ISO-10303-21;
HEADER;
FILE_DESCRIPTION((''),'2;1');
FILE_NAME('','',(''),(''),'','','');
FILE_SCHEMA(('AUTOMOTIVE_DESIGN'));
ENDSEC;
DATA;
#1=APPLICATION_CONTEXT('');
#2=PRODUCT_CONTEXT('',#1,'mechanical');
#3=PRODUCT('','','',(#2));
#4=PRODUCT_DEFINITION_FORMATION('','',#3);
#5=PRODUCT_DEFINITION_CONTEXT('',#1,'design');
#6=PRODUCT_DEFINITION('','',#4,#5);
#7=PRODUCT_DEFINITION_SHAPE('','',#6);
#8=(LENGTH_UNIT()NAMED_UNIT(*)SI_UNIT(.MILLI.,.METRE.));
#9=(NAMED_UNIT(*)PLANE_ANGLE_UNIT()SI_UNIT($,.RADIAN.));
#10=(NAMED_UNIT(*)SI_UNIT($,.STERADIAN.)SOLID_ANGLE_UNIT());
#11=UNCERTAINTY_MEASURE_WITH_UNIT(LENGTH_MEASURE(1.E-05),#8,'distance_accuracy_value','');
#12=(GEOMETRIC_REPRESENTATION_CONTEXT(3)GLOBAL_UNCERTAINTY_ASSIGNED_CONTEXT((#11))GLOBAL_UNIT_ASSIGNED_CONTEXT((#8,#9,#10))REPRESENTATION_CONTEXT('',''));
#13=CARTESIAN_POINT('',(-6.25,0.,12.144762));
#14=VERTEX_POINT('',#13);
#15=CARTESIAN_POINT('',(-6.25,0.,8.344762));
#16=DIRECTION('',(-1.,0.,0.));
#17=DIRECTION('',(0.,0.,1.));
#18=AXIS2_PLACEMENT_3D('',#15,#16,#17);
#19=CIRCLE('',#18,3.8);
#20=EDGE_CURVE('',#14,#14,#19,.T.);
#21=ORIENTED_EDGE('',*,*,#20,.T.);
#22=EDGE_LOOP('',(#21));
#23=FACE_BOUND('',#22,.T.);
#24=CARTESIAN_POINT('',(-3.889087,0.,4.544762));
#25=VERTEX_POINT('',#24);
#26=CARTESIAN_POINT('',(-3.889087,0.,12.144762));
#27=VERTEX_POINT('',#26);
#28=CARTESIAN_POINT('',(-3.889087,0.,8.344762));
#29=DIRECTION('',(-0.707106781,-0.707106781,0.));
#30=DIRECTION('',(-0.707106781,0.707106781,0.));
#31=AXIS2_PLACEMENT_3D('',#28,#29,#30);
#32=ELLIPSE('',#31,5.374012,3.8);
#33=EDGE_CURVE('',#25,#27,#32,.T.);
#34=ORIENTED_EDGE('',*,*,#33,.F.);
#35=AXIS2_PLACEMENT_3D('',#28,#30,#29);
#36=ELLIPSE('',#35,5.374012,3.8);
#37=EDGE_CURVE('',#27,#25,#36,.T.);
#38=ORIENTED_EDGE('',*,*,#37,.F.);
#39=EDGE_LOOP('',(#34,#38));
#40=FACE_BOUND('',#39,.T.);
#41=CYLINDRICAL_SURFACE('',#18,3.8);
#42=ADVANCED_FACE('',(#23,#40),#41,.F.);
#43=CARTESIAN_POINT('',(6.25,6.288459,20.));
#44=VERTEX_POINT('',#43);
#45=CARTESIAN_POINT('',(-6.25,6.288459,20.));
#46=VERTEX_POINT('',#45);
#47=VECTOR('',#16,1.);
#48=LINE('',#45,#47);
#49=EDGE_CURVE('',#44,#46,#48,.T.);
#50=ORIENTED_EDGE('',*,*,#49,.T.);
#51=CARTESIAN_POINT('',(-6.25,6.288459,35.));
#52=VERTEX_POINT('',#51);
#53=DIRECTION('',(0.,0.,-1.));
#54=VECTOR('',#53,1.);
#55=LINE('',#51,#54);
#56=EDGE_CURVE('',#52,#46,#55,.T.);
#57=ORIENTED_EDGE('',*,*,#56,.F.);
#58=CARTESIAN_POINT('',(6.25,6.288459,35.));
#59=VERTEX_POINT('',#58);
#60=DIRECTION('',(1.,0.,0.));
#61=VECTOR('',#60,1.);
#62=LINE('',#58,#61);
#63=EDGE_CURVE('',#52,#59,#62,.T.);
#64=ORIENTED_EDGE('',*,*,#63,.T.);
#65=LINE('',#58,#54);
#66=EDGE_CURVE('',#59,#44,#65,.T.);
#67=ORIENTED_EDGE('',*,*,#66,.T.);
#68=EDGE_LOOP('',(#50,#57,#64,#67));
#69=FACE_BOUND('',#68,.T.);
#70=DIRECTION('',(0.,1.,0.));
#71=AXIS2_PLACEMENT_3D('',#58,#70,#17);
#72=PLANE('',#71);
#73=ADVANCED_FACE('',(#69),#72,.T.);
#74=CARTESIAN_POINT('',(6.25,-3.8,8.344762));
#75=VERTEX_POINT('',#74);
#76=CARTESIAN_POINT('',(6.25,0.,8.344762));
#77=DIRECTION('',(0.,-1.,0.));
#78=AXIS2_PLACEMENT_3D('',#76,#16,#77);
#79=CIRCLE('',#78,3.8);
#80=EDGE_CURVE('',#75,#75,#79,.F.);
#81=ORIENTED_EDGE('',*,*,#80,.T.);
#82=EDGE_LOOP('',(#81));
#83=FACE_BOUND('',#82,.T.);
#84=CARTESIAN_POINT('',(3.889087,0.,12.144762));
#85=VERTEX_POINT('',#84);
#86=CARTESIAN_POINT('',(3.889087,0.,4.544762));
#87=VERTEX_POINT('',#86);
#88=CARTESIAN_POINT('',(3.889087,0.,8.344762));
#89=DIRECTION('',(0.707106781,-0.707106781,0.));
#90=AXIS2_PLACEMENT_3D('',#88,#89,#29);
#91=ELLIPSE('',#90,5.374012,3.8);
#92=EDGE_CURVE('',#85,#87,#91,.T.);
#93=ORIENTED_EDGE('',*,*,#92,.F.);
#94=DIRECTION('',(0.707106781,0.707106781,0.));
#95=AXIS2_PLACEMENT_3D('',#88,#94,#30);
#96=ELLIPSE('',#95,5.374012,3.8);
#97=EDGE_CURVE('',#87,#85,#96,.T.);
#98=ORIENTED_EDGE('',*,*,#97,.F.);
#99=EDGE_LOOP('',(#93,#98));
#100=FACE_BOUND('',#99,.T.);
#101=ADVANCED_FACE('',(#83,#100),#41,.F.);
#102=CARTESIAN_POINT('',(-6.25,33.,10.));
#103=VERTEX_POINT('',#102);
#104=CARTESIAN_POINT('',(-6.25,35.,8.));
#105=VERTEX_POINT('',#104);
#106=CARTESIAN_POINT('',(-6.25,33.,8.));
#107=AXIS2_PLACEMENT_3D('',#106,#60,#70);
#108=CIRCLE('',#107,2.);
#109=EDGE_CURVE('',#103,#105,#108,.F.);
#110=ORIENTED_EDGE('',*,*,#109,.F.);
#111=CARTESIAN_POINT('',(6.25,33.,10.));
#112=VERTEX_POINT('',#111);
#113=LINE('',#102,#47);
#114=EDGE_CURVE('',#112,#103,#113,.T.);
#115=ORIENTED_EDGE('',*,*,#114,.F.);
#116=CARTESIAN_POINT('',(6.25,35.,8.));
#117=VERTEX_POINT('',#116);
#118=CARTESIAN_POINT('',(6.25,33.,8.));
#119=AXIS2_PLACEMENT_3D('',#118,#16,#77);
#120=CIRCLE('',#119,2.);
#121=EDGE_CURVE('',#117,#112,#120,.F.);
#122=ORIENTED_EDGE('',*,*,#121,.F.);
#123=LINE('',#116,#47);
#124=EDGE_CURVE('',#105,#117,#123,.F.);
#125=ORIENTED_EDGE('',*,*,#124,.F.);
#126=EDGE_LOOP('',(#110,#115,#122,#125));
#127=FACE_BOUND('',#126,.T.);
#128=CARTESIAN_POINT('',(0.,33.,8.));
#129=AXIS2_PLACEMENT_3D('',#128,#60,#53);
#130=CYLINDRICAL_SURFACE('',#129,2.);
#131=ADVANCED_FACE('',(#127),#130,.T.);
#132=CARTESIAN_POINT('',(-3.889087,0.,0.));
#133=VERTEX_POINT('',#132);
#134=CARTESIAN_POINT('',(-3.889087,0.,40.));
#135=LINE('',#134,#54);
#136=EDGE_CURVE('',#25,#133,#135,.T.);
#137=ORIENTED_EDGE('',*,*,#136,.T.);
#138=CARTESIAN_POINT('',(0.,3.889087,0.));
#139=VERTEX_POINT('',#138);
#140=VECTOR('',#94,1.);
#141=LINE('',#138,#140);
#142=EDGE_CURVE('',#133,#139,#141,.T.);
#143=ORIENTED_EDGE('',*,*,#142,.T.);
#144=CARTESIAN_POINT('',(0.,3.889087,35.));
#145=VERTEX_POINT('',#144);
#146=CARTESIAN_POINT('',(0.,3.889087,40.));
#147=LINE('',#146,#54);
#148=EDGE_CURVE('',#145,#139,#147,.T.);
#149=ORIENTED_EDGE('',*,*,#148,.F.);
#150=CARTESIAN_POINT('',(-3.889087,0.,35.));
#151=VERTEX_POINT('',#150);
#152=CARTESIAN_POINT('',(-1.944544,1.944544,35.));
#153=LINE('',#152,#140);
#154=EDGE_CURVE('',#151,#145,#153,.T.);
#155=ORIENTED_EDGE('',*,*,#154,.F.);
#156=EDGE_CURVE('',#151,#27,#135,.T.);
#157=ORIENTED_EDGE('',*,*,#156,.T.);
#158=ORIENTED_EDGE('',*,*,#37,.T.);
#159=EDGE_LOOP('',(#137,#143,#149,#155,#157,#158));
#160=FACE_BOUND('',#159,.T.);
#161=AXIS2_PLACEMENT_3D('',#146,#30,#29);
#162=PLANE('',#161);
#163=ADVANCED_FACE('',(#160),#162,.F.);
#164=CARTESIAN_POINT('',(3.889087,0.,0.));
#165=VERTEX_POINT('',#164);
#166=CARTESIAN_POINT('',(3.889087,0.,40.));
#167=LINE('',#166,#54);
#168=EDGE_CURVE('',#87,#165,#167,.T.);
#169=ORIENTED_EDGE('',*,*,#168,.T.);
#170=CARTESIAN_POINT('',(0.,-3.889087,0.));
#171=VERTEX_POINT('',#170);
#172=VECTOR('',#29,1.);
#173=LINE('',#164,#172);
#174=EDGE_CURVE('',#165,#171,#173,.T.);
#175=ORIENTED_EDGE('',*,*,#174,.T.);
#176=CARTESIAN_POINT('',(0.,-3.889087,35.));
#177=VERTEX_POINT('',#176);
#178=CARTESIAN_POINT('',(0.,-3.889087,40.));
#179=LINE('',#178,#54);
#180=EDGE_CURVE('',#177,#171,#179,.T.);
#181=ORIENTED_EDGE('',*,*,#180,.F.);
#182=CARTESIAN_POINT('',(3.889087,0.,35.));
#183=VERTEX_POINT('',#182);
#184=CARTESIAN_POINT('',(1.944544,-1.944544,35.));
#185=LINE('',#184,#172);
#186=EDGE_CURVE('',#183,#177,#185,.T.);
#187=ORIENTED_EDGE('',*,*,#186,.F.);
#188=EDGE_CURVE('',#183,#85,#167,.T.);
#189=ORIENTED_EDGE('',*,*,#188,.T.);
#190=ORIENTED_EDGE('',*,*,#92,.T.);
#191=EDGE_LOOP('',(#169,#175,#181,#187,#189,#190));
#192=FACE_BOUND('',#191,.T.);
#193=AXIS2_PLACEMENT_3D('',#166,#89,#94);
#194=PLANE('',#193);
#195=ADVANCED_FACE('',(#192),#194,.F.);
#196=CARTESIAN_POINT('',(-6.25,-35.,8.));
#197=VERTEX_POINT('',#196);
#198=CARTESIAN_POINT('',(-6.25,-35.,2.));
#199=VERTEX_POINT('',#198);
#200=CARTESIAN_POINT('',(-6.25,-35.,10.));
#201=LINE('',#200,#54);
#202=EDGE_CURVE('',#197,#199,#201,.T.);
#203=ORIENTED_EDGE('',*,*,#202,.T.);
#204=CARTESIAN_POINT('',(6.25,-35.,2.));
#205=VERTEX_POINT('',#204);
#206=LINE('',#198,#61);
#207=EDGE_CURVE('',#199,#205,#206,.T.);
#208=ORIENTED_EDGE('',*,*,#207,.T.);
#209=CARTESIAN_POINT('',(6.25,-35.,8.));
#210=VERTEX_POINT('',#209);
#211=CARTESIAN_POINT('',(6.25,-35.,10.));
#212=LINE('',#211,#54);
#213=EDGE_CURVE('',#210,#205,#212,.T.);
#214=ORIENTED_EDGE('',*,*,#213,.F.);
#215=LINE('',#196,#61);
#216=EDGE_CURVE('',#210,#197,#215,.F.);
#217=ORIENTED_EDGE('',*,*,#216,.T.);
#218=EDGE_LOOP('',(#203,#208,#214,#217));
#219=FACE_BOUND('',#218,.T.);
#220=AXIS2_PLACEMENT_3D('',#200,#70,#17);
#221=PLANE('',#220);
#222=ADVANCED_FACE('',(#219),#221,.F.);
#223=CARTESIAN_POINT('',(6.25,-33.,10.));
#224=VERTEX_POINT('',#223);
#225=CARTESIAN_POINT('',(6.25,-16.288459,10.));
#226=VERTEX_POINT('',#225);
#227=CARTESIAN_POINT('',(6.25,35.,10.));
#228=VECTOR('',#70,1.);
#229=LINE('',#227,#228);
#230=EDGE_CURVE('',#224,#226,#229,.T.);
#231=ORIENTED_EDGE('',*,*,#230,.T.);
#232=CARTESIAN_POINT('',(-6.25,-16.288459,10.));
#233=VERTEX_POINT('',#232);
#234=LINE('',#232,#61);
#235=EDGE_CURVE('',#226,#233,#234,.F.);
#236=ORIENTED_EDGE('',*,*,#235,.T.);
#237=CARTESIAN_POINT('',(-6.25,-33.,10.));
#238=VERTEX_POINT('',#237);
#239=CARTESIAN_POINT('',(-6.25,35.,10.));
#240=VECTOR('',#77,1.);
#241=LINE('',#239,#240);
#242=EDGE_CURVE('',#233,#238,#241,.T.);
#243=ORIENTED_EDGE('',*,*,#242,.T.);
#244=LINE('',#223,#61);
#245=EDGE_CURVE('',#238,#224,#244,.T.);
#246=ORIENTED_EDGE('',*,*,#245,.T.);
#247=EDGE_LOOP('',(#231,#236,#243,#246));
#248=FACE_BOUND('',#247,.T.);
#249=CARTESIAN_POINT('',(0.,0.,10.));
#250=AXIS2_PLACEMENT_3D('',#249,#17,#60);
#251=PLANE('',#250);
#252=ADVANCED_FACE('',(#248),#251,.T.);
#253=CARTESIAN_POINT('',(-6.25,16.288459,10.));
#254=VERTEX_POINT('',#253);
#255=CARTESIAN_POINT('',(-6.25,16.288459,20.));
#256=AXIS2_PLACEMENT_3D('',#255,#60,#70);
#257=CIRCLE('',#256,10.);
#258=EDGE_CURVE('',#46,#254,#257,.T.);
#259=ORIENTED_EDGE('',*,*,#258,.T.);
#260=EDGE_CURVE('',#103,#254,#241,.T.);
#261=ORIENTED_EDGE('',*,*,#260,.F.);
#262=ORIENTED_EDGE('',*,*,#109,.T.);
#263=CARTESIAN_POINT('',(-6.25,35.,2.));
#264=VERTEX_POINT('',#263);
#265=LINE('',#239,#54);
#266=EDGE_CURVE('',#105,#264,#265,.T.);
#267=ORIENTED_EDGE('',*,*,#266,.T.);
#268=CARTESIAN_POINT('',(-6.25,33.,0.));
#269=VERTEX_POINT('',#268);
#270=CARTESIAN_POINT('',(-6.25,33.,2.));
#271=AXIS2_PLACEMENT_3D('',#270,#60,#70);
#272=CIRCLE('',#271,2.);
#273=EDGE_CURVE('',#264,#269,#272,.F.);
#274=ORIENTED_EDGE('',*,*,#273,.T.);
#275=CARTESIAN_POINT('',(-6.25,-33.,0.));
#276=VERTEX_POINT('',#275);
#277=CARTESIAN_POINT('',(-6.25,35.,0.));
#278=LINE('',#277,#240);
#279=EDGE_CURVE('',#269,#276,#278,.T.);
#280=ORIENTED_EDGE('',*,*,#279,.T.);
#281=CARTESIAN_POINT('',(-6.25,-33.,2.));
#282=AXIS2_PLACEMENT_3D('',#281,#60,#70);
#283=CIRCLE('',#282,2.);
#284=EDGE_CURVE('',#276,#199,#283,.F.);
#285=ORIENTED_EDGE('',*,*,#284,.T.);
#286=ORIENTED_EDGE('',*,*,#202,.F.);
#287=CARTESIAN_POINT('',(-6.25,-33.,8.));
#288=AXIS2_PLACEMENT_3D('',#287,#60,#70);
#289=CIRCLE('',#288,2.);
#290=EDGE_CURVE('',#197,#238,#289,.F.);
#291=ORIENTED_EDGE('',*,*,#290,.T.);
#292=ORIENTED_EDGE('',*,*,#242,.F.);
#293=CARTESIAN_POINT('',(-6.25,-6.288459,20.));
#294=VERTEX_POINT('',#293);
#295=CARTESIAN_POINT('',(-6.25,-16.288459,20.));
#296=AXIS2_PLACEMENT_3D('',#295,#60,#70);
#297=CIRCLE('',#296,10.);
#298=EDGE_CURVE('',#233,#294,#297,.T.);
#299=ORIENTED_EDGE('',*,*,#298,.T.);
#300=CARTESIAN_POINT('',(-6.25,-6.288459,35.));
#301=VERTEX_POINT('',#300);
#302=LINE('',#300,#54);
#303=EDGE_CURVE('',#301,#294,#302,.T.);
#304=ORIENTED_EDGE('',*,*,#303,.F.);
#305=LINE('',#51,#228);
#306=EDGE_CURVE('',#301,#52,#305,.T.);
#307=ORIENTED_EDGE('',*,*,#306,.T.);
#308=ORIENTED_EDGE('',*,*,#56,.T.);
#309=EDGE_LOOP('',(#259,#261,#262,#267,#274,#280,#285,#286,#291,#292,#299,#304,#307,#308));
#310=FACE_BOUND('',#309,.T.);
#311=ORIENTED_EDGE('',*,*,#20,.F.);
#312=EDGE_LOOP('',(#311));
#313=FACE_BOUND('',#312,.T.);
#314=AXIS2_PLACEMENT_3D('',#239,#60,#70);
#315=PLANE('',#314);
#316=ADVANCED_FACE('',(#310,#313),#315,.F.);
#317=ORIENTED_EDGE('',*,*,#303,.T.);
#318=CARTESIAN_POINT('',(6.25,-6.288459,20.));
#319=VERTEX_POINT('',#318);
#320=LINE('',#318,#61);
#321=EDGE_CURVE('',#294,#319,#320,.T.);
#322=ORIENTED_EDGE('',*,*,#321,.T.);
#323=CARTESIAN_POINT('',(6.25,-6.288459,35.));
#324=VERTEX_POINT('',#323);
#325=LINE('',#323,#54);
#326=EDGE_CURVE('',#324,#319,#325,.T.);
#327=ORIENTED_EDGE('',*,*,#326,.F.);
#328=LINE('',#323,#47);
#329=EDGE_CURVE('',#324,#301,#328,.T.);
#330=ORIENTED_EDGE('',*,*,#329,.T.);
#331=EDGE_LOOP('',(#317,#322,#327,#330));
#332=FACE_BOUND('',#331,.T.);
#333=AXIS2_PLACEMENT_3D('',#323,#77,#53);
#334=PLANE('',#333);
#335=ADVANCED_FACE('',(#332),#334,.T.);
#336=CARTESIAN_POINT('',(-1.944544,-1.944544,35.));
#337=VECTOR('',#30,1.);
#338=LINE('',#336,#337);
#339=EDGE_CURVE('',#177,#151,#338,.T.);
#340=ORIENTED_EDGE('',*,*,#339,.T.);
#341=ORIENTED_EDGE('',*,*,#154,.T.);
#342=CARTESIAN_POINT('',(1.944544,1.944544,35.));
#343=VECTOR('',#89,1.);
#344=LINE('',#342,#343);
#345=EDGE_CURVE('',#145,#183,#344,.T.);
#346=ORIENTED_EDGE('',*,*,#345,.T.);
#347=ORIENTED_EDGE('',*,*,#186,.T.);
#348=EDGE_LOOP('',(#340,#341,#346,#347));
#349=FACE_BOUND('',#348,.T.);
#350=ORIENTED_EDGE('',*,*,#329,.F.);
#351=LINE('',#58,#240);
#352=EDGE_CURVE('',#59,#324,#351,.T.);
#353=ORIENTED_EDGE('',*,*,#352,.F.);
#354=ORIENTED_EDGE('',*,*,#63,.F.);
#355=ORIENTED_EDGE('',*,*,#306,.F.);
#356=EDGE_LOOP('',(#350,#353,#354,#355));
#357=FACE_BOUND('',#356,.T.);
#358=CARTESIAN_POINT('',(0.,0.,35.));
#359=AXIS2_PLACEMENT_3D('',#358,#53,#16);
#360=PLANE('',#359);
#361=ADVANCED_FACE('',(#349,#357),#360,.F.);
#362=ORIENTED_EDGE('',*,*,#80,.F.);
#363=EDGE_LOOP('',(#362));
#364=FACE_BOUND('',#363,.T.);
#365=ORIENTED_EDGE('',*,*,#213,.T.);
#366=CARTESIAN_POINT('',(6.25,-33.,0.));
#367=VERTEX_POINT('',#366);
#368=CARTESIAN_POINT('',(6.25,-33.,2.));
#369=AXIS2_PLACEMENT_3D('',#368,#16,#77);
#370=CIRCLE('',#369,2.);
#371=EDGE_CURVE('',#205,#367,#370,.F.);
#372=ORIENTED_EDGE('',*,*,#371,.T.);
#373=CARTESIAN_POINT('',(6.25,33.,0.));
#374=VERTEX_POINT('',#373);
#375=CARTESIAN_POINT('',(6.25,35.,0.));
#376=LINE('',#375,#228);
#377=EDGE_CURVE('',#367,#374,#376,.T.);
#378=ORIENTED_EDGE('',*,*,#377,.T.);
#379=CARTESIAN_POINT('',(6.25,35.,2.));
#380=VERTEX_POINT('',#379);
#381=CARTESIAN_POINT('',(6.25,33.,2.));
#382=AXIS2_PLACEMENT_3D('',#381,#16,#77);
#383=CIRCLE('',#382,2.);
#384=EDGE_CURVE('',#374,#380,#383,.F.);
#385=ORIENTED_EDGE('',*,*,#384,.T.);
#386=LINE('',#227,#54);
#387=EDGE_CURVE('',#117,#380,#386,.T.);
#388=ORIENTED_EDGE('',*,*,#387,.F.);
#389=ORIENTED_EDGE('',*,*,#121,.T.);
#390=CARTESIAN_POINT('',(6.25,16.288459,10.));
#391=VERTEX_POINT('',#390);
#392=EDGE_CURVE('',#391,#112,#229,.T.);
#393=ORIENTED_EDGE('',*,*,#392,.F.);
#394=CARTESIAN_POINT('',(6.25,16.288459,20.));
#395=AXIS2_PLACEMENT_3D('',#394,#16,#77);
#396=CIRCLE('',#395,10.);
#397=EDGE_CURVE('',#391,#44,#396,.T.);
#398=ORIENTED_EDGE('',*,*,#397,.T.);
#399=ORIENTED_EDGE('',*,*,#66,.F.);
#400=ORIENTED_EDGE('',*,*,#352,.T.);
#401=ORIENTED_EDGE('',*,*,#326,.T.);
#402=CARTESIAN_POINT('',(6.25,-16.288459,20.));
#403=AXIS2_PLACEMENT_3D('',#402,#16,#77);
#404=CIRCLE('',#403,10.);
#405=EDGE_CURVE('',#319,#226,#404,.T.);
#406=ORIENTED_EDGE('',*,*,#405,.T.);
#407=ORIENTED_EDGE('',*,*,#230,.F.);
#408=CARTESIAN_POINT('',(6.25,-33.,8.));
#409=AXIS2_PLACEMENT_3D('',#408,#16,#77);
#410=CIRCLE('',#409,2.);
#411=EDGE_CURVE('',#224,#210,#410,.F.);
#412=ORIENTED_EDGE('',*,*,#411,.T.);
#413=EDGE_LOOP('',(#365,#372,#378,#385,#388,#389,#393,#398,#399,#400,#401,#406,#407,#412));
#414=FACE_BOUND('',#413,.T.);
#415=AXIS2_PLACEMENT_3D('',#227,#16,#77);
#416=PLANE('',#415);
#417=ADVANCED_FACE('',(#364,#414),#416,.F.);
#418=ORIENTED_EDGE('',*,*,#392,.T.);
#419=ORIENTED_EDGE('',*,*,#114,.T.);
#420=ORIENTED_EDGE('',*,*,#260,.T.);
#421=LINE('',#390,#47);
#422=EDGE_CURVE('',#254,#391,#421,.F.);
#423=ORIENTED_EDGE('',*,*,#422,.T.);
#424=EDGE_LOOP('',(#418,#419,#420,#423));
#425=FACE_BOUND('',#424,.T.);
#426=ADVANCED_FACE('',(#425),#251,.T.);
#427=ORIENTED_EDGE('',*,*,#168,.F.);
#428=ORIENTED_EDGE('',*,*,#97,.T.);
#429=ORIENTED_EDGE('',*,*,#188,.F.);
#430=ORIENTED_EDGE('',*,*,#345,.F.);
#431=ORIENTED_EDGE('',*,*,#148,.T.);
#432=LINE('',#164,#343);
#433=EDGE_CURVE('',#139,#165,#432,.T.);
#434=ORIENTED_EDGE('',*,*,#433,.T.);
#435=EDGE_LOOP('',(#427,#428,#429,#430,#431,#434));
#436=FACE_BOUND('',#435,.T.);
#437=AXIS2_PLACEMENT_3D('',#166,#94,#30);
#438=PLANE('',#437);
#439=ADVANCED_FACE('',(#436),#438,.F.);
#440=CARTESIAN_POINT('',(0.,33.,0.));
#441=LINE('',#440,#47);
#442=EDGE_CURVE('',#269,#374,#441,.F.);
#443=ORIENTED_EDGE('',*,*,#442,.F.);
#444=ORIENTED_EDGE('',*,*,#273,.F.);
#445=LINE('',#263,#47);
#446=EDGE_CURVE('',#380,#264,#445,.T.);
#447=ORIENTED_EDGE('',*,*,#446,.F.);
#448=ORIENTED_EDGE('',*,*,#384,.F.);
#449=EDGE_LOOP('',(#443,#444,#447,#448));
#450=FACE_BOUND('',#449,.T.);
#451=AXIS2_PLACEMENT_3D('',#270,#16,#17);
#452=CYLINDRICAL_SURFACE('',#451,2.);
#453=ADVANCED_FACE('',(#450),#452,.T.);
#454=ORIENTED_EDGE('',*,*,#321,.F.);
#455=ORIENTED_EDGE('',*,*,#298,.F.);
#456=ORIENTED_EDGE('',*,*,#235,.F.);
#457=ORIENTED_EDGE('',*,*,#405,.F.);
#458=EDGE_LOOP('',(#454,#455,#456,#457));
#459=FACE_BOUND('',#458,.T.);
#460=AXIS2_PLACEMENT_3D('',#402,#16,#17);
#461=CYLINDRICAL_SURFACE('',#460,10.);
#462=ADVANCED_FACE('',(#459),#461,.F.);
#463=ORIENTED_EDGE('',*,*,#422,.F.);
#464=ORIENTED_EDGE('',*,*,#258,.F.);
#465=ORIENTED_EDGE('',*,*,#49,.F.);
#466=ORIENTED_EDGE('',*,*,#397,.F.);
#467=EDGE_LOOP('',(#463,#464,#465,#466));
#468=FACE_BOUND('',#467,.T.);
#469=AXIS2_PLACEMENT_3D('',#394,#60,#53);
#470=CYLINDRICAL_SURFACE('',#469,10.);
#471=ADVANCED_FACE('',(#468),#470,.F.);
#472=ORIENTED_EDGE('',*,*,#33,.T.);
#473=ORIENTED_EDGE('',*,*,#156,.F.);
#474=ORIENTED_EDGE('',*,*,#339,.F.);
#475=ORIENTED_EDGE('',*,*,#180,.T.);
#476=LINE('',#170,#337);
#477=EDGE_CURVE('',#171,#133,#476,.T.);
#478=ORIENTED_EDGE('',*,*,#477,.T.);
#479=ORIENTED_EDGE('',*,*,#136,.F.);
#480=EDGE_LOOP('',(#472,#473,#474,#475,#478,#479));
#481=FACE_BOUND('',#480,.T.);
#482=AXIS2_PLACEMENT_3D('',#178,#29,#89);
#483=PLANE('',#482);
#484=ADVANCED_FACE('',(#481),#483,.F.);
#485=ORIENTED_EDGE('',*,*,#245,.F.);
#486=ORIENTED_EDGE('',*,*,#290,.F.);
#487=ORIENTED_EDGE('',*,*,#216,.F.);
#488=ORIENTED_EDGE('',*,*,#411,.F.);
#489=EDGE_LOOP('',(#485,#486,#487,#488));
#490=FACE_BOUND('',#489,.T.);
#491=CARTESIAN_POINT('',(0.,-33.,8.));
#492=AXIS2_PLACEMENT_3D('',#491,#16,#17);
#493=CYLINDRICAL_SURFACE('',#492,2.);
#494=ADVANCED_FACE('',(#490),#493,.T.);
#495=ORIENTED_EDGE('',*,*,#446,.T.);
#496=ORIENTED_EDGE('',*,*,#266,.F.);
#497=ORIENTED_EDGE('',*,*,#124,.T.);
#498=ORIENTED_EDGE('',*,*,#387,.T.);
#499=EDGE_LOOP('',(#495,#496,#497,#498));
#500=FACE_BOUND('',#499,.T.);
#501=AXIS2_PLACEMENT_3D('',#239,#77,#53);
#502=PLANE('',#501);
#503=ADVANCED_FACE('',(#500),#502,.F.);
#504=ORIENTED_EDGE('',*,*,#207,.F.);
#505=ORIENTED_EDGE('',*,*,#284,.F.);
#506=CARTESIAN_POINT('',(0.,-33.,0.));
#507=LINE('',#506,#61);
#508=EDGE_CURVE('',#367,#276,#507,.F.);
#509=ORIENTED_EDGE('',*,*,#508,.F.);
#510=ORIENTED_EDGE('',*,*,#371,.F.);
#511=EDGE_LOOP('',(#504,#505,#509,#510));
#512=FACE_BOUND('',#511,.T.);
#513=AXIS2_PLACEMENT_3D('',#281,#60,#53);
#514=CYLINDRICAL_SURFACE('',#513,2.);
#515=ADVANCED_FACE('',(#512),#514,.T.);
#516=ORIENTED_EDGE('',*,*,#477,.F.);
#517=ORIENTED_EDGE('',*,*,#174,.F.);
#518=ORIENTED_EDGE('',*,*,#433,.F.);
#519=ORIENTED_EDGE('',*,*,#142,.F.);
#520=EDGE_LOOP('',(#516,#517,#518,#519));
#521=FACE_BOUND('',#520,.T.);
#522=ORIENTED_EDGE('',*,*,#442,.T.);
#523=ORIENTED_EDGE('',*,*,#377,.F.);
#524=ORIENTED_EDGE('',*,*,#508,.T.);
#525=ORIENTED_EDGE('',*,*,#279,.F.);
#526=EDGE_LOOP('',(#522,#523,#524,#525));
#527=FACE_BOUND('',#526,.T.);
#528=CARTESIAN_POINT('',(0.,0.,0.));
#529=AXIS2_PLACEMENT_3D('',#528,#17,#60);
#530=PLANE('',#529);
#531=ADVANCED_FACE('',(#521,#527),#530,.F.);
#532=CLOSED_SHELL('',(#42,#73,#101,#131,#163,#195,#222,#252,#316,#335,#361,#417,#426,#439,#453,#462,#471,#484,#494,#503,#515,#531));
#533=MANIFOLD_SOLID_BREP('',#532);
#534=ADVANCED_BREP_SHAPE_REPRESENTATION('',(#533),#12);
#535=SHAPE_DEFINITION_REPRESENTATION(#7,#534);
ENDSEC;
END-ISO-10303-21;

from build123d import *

# Parameters (mm, degrees)
ESQUISSE1_W             = 12.5
ESQUISSE1_H             = 70
BOSS_EXTRU_1_DEPTH      = 10
ESQUISSE2_W             = 12.5
ESQUISSE2_H             = 12.576917286
BOSS_EXTRU_2_DEPTH      = 35
ENL_V_MAT_EXTRU_1_DEPTH = 40
CONG_1_R                = 10
CONG_3_R                = 2
D_GAGEMENT_M71_D        = 7.6
D_GAGEMENT_M71_DEPTH    = 12.5
D_GAGEMENT_M71_TIP      = 2.283270352


with BuildPart() as part:
    # Esquisse1 → Boss.-Extru.1 (new body)
    with BuildSketch(Plane.XY):
        Rectangle(ESQUISSE1_W, ESQUISSE1_H)
    extrude(amount=BOSS_EXTRU_1_DEPTH)

    # Esquisse2 → Boss.-Extru.2 (add)
    with BuildSketch(Plane(origin=(0, 0, 0), x_dir=(-1, 0, 0), z_dir=(0, 0, -1))):
        Rectangle(ESQUISSE2_W, ESQUISSE2_H)
    extrude(amount=-BOSS_EXTRU_2_DEPTH)

    # Esquisse3 → Enlèv. mat.-Extru.1 (cut)
    with BuildSketch(Plane(origin=(0, 0, 0), x_dir=(-1, 0, 0), z_dir=(0, 0, -1))):
        Polygon((-3.889087297, 0), (0, 3.889087297), (3.889087297, 0), (0, -3.889087297), align=None)
    extrude(amount=-ENL_V_MAT_EXTRU_1_DEPTH, mode=Mode.SUBTRACT)

    # Congé1
    cong_1_edges = [part.edges().sort_by_distance(p)[0] for p in [
        (0, -6.288458643, 10),
        (0, 6.288458643, 10),
    ]]
    fillet(cong_1_edges, radius=CONG_1_R)

    # Congé3
    cong_3_edges = [part.edges().sort_by_distance(p)[0] for p in [
        (0, -35, 10),
        (0, -35, 0),
        (0, 35, 0),
        (0, 35, 10),
    ]]
    fillet(cong_3_edges, radius=CONG_3_R)

    # Dégagement M71
    with Locations(Plane.ZY.offset(6.25)):
        with Locations((8.344762473, 0)):
            Hole(D_GAGEMENT_M71_D / 2, depth=D_GAGEMENT_M71_DEPTH)
            with Locations((0, 0, -(D_GAGEMENT_M71_DEPTH + D_GAGEMENT_M71_TIP / 2))):  # 118° drill point
                Cone(0, D_GAGEMENT_M71_D / 2, D_GAGEMENT_M71_TIP, mode=Mode.SUBTRACT)


solid = part.part
